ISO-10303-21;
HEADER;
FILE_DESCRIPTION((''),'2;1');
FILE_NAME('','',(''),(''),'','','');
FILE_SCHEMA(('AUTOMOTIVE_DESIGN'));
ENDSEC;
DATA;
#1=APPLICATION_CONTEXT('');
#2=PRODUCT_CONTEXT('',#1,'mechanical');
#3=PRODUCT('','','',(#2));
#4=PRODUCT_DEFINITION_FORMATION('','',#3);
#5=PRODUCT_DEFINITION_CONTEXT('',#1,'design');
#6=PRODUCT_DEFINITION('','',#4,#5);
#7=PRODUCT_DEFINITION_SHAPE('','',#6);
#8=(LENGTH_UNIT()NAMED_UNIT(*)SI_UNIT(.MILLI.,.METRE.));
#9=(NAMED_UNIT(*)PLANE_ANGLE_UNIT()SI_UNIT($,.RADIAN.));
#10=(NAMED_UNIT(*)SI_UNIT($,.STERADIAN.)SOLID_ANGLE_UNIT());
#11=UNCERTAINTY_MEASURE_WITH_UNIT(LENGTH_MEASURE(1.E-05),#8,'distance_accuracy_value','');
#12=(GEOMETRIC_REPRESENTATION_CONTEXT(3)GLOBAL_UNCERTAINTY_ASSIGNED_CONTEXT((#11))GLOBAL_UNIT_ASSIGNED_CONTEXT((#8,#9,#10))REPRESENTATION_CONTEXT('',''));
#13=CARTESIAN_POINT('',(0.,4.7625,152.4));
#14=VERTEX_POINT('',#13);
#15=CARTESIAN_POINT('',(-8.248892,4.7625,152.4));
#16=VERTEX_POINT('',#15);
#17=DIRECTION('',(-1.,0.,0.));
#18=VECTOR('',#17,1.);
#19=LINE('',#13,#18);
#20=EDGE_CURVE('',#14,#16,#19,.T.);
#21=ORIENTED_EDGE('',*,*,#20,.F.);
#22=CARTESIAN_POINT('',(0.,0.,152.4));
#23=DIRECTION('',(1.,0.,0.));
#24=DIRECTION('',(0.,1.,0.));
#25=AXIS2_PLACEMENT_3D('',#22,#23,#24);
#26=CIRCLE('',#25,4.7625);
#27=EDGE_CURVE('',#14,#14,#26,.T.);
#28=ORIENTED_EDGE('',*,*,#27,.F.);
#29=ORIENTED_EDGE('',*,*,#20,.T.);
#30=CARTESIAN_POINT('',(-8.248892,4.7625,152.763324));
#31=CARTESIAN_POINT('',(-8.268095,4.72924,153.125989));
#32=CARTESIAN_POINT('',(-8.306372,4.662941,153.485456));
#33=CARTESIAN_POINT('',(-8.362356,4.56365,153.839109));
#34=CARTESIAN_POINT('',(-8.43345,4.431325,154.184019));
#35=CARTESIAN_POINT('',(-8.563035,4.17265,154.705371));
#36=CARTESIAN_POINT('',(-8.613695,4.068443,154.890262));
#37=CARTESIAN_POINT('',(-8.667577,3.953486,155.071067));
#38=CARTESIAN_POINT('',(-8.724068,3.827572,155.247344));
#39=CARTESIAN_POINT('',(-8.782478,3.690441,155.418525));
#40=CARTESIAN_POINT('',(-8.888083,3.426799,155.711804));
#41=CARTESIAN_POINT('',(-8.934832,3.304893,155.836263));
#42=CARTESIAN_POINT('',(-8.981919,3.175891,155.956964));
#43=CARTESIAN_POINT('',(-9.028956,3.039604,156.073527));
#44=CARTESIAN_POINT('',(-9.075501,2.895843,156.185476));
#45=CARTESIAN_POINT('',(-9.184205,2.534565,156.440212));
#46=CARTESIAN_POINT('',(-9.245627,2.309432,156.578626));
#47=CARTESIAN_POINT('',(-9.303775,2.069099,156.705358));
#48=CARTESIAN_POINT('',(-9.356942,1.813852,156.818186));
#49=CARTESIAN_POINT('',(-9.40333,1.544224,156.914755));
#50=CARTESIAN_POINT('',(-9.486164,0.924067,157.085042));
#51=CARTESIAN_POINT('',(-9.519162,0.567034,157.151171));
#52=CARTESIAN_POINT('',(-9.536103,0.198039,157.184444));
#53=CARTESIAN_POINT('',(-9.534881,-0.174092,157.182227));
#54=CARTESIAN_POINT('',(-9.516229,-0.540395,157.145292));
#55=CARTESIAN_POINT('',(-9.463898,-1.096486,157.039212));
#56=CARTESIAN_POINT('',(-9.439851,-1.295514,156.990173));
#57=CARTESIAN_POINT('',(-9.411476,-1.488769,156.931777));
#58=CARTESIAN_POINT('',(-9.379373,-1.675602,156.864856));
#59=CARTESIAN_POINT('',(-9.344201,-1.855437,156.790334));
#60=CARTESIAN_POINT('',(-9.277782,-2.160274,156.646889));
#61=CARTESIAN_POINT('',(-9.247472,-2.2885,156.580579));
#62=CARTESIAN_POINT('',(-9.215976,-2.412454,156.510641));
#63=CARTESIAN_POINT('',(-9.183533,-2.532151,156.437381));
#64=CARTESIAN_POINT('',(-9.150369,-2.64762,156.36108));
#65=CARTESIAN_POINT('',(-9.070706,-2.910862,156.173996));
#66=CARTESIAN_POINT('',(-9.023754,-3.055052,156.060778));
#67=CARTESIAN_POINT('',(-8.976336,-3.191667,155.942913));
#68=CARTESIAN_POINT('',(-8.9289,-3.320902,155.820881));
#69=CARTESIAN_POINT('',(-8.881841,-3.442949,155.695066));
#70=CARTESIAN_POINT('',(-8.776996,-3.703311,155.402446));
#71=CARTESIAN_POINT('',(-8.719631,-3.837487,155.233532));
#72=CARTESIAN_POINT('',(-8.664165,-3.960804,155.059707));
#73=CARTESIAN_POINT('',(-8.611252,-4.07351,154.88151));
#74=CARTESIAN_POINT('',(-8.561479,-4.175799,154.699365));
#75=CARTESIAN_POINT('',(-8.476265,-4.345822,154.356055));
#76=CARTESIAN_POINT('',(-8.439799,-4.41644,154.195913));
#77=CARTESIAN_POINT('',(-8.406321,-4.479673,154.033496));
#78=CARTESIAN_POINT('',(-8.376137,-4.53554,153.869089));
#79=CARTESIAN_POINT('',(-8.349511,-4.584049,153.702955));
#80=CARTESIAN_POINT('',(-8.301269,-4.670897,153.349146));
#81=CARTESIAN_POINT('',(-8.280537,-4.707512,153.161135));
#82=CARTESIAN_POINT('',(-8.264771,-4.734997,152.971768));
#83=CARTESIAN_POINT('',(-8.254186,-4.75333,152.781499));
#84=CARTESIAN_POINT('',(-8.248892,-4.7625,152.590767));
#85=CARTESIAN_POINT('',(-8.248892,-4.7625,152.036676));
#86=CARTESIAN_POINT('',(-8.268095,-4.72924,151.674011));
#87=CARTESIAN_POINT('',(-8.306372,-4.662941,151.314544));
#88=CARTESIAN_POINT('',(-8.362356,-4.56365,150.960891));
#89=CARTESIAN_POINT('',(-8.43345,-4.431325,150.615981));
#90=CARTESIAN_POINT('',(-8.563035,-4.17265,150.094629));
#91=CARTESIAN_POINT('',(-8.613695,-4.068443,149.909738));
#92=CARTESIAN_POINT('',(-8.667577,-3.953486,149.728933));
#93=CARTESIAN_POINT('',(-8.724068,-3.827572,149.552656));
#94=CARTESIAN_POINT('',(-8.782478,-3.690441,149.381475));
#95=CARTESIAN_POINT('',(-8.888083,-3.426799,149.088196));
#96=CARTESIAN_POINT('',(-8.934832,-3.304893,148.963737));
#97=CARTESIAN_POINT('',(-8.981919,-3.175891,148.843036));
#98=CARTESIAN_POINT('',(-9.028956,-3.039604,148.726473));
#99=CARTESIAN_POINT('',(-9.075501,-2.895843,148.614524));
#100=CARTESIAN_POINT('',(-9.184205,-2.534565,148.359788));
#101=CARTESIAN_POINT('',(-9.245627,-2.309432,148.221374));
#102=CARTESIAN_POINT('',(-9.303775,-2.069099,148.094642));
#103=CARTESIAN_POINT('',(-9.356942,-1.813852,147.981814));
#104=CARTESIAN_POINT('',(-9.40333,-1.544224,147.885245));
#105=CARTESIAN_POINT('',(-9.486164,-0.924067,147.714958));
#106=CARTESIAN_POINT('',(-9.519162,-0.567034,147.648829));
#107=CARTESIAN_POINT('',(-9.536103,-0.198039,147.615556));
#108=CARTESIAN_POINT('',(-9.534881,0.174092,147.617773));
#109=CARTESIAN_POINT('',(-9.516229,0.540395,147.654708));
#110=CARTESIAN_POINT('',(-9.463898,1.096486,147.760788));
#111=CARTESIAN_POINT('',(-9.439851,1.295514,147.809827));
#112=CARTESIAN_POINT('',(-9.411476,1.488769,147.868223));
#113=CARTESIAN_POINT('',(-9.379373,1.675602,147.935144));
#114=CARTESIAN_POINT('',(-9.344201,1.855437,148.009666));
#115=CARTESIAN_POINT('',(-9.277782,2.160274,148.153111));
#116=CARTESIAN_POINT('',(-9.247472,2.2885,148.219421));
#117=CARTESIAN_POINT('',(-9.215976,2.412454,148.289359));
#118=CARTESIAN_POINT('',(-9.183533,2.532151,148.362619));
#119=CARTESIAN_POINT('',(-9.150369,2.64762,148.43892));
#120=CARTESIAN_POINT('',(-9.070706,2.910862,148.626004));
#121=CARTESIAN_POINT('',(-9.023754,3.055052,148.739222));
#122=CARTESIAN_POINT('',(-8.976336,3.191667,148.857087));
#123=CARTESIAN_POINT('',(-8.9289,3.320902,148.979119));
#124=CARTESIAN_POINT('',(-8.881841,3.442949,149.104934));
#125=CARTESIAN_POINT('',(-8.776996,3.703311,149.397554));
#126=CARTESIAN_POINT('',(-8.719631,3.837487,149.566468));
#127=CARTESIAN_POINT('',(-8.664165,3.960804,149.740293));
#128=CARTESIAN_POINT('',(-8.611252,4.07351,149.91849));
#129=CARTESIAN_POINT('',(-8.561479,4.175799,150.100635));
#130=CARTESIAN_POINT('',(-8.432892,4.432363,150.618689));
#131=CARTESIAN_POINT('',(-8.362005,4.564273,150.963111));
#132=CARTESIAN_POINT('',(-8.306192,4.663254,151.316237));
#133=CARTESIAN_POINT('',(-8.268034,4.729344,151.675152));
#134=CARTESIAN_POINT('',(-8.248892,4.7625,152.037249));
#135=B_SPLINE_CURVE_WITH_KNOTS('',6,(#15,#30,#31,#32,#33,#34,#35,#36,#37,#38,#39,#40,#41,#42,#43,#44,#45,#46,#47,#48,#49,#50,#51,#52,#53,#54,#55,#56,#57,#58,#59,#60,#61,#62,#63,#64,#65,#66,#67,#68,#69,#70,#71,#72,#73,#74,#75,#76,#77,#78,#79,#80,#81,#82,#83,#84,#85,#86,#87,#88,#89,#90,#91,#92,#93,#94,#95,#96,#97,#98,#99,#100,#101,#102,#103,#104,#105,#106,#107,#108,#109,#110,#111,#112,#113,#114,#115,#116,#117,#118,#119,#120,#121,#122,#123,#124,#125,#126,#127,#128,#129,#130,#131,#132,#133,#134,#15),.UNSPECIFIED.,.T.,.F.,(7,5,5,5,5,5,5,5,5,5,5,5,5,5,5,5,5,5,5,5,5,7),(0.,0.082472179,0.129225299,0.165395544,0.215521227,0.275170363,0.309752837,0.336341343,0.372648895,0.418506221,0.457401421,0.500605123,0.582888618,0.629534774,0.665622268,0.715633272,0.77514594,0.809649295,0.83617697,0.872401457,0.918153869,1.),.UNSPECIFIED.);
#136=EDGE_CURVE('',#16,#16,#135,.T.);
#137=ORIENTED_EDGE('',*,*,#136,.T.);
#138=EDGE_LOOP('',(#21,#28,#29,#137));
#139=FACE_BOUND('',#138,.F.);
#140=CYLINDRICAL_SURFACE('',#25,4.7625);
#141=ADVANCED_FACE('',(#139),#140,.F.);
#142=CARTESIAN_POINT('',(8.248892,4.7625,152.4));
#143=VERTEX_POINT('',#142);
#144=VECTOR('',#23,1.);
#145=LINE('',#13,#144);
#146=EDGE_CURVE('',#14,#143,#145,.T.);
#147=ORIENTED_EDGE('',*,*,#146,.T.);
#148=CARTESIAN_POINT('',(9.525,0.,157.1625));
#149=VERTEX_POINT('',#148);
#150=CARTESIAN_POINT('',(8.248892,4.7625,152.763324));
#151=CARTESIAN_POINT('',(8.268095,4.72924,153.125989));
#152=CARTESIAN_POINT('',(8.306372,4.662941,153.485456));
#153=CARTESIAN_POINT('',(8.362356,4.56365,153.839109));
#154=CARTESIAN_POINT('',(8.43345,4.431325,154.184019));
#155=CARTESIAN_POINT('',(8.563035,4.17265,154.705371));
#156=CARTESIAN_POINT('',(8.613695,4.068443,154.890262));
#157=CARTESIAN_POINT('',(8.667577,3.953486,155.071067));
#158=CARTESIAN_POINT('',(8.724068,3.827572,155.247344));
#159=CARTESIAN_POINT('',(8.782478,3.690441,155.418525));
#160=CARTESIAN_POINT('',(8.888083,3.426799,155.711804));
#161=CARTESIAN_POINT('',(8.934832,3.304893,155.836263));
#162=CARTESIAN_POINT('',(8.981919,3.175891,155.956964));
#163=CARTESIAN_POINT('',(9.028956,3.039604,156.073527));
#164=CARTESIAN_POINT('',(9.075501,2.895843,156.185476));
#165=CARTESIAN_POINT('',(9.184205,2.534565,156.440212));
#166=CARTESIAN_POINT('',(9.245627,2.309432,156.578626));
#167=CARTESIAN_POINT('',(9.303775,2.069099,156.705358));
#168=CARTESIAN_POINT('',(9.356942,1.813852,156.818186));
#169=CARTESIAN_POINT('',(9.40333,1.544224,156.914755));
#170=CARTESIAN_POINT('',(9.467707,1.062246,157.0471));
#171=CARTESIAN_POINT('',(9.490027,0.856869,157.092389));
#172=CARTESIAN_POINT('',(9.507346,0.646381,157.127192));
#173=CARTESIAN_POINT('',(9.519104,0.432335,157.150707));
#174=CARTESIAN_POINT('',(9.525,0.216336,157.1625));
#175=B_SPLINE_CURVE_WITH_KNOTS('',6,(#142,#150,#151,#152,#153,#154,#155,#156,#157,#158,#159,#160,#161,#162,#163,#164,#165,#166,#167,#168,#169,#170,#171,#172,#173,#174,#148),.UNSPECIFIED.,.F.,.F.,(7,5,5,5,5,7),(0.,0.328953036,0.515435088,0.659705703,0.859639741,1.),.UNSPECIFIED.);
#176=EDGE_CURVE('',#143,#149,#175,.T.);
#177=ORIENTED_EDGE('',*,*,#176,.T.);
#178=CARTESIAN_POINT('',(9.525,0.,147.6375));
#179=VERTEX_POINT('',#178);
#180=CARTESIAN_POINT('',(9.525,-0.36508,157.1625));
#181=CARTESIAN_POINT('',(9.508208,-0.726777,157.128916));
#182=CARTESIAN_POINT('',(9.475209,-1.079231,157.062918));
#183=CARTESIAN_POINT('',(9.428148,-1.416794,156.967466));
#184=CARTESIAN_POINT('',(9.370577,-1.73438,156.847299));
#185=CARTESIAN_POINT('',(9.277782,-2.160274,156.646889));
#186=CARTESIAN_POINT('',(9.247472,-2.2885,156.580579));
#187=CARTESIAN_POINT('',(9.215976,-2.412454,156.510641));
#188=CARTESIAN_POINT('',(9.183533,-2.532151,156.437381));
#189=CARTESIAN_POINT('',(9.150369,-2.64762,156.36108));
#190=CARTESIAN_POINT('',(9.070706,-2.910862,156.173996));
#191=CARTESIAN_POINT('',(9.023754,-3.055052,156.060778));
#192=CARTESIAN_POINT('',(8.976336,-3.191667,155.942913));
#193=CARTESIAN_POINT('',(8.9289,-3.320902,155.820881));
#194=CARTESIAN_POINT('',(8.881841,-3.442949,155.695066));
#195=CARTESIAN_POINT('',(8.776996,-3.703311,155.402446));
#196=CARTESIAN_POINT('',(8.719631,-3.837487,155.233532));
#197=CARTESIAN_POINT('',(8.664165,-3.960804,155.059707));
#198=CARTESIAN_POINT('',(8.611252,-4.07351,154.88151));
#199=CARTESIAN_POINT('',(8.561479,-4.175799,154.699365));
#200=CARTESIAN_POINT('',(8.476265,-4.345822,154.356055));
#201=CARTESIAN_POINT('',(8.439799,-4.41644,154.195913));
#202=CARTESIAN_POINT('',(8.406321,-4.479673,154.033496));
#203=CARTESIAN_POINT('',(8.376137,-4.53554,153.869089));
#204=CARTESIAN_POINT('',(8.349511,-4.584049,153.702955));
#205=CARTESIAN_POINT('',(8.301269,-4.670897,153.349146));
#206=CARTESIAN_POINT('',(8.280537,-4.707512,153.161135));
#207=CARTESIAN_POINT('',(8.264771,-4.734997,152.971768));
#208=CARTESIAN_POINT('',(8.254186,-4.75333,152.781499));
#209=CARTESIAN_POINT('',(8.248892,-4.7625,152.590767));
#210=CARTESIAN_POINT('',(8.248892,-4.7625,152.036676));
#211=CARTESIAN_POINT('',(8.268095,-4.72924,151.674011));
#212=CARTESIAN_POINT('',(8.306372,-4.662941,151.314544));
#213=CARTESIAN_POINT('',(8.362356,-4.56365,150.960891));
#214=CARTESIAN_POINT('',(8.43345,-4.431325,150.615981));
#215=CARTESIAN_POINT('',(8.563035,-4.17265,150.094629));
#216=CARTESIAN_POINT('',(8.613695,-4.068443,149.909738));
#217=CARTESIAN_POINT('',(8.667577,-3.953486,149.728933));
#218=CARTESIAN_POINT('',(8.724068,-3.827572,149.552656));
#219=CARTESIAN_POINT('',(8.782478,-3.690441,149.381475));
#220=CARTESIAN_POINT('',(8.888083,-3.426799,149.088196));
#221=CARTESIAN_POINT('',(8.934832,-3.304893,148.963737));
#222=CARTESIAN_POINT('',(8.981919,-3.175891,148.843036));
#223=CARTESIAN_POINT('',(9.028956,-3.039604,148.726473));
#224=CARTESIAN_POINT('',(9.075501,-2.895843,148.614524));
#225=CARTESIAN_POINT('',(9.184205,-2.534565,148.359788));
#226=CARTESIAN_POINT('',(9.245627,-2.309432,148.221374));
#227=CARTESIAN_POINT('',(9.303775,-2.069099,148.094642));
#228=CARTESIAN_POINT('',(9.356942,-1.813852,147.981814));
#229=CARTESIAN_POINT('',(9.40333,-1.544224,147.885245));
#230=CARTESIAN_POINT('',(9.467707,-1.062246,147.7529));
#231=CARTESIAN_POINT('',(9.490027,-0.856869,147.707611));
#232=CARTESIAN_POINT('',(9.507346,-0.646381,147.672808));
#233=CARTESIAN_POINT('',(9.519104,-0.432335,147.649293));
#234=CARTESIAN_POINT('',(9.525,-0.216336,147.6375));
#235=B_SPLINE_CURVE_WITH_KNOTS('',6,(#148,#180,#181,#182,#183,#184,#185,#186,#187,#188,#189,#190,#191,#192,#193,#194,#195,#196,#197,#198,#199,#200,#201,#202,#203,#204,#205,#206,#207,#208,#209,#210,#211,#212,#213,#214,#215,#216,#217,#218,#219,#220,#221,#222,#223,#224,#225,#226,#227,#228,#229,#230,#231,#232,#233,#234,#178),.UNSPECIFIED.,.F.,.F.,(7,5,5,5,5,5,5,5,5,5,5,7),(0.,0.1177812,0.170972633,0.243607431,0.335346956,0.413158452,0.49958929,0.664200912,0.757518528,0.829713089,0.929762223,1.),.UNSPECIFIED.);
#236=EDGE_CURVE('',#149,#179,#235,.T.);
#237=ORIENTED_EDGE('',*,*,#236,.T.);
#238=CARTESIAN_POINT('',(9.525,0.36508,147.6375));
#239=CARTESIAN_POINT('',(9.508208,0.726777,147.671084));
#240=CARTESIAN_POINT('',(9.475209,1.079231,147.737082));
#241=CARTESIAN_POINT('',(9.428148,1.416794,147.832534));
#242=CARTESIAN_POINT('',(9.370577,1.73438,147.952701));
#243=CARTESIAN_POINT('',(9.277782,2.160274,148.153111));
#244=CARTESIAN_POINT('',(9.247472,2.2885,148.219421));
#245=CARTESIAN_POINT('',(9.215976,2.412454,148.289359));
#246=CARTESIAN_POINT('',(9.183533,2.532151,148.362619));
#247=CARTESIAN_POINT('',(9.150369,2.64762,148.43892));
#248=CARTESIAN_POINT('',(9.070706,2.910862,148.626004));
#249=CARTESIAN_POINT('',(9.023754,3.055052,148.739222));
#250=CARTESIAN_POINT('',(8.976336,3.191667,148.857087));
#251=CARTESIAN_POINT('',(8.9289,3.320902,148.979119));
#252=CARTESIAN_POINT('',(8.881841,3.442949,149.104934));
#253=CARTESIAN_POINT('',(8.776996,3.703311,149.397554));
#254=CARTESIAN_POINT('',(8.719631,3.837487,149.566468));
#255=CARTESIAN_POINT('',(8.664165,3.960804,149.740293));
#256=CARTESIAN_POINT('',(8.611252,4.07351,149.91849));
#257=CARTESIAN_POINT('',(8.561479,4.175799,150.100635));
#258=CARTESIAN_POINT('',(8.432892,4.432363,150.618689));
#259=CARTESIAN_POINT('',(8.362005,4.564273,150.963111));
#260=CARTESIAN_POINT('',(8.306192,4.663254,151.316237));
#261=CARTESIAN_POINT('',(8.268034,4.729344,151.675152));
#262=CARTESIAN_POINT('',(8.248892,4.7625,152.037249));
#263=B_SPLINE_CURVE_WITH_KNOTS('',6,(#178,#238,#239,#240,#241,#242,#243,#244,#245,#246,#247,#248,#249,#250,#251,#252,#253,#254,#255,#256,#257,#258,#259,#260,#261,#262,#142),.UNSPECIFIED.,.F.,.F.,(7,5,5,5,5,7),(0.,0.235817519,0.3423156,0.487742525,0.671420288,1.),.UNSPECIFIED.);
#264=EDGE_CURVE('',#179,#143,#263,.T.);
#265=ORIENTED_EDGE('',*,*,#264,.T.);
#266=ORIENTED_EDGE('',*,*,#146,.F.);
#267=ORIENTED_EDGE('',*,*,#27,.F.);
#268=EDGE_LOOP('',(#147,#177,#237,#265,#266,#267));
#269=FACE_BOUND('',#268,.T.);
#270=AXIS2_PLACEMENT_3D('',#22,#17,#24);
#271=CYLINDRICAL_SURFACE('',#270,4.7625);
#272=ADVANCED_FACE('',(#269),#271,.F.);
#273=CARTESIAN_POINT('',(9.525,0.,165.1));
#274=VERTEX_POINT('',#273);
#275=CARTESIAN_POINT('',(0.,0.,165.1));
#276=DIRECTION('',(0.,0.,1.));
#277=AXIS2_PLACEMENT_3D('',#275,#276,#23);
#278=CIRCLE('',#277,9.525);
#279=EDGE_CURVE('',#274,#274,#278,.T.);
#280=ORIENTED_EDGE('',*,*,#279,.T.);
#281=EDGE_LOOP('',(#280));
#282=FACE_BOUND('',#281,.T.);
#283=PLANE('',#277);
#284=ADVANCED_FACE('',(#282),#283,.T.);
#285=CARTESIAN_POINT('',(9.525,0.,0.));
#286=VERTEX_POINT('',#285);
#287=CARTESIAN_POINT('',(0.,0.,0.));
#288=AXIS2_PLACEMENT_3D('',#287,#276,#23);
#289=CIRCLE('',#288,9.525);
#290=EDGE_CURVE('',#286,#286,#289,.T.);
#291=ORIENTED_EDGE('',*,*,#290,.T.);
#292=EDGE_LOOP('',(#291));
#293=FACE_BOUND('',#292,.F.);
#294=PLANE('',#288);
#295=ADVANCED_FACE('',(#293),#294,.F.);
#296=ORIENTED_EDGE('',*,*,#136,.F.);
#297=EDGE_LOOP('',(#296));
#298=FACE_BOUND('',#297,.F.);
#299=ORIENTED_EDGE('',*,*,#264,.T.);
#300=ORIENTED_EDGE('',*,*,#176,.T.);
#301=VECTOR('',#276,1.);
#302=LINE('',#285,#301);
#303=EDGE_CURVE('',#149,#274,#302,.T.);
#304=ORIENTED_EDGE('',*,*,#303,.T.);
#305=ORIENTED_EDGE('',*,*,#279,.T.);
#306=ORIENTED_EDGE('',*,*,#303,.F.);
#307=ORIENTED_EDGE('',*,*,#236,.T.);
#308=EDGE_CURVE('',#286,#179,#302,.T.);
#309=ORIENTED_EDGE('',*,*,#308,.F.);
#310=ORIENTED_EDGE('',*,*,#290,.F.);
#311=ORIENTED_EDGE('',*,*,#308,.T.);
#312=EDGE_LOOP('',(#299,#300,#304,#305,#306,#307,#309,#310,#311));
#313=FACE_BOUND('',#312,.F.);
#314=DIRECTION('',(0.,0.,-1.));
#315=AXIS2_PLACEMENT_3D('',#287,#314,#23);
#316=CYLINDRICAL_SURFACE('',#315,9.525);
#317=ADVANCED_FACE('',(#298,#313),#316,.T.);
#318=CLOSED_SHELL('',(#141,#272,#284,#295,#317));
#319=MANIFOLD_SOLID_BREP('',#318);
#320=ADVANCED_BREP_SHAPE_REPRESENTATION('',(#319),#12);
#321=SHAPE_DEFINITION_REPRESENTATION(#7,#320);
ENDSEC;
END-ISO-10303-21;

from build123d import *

# Parameters (mm, degrees)
F0_R          = 9.525
F1_DEPTH      = 165.1
F2_R          = 4.7625
F3_DEPTH      = 9.526
F3_DEPTH_BACK = 9.526


with BuildPart() as f1:
    # F0 (on Top) → F1 (new body)
    with BuildSketch(Plane.XY):
        Circle(F0_R)
    extrude(amount=F1_DEPTH)

    # F2 (on Right) → F3 (cut, two sides)
    with BuildSketch(Plane.YZ) as f3_sk:
        with Locations((0, 152.4)):
            Circle(F2_R)
    extrude(amount=-F3_DEPTH, mode=Mode.SUBTRACT)
    extrude(f3_sk.sketch, amount=F3_DEPTH_BACK, mode=Mode.SUBTRACT)


solid = f1.part
